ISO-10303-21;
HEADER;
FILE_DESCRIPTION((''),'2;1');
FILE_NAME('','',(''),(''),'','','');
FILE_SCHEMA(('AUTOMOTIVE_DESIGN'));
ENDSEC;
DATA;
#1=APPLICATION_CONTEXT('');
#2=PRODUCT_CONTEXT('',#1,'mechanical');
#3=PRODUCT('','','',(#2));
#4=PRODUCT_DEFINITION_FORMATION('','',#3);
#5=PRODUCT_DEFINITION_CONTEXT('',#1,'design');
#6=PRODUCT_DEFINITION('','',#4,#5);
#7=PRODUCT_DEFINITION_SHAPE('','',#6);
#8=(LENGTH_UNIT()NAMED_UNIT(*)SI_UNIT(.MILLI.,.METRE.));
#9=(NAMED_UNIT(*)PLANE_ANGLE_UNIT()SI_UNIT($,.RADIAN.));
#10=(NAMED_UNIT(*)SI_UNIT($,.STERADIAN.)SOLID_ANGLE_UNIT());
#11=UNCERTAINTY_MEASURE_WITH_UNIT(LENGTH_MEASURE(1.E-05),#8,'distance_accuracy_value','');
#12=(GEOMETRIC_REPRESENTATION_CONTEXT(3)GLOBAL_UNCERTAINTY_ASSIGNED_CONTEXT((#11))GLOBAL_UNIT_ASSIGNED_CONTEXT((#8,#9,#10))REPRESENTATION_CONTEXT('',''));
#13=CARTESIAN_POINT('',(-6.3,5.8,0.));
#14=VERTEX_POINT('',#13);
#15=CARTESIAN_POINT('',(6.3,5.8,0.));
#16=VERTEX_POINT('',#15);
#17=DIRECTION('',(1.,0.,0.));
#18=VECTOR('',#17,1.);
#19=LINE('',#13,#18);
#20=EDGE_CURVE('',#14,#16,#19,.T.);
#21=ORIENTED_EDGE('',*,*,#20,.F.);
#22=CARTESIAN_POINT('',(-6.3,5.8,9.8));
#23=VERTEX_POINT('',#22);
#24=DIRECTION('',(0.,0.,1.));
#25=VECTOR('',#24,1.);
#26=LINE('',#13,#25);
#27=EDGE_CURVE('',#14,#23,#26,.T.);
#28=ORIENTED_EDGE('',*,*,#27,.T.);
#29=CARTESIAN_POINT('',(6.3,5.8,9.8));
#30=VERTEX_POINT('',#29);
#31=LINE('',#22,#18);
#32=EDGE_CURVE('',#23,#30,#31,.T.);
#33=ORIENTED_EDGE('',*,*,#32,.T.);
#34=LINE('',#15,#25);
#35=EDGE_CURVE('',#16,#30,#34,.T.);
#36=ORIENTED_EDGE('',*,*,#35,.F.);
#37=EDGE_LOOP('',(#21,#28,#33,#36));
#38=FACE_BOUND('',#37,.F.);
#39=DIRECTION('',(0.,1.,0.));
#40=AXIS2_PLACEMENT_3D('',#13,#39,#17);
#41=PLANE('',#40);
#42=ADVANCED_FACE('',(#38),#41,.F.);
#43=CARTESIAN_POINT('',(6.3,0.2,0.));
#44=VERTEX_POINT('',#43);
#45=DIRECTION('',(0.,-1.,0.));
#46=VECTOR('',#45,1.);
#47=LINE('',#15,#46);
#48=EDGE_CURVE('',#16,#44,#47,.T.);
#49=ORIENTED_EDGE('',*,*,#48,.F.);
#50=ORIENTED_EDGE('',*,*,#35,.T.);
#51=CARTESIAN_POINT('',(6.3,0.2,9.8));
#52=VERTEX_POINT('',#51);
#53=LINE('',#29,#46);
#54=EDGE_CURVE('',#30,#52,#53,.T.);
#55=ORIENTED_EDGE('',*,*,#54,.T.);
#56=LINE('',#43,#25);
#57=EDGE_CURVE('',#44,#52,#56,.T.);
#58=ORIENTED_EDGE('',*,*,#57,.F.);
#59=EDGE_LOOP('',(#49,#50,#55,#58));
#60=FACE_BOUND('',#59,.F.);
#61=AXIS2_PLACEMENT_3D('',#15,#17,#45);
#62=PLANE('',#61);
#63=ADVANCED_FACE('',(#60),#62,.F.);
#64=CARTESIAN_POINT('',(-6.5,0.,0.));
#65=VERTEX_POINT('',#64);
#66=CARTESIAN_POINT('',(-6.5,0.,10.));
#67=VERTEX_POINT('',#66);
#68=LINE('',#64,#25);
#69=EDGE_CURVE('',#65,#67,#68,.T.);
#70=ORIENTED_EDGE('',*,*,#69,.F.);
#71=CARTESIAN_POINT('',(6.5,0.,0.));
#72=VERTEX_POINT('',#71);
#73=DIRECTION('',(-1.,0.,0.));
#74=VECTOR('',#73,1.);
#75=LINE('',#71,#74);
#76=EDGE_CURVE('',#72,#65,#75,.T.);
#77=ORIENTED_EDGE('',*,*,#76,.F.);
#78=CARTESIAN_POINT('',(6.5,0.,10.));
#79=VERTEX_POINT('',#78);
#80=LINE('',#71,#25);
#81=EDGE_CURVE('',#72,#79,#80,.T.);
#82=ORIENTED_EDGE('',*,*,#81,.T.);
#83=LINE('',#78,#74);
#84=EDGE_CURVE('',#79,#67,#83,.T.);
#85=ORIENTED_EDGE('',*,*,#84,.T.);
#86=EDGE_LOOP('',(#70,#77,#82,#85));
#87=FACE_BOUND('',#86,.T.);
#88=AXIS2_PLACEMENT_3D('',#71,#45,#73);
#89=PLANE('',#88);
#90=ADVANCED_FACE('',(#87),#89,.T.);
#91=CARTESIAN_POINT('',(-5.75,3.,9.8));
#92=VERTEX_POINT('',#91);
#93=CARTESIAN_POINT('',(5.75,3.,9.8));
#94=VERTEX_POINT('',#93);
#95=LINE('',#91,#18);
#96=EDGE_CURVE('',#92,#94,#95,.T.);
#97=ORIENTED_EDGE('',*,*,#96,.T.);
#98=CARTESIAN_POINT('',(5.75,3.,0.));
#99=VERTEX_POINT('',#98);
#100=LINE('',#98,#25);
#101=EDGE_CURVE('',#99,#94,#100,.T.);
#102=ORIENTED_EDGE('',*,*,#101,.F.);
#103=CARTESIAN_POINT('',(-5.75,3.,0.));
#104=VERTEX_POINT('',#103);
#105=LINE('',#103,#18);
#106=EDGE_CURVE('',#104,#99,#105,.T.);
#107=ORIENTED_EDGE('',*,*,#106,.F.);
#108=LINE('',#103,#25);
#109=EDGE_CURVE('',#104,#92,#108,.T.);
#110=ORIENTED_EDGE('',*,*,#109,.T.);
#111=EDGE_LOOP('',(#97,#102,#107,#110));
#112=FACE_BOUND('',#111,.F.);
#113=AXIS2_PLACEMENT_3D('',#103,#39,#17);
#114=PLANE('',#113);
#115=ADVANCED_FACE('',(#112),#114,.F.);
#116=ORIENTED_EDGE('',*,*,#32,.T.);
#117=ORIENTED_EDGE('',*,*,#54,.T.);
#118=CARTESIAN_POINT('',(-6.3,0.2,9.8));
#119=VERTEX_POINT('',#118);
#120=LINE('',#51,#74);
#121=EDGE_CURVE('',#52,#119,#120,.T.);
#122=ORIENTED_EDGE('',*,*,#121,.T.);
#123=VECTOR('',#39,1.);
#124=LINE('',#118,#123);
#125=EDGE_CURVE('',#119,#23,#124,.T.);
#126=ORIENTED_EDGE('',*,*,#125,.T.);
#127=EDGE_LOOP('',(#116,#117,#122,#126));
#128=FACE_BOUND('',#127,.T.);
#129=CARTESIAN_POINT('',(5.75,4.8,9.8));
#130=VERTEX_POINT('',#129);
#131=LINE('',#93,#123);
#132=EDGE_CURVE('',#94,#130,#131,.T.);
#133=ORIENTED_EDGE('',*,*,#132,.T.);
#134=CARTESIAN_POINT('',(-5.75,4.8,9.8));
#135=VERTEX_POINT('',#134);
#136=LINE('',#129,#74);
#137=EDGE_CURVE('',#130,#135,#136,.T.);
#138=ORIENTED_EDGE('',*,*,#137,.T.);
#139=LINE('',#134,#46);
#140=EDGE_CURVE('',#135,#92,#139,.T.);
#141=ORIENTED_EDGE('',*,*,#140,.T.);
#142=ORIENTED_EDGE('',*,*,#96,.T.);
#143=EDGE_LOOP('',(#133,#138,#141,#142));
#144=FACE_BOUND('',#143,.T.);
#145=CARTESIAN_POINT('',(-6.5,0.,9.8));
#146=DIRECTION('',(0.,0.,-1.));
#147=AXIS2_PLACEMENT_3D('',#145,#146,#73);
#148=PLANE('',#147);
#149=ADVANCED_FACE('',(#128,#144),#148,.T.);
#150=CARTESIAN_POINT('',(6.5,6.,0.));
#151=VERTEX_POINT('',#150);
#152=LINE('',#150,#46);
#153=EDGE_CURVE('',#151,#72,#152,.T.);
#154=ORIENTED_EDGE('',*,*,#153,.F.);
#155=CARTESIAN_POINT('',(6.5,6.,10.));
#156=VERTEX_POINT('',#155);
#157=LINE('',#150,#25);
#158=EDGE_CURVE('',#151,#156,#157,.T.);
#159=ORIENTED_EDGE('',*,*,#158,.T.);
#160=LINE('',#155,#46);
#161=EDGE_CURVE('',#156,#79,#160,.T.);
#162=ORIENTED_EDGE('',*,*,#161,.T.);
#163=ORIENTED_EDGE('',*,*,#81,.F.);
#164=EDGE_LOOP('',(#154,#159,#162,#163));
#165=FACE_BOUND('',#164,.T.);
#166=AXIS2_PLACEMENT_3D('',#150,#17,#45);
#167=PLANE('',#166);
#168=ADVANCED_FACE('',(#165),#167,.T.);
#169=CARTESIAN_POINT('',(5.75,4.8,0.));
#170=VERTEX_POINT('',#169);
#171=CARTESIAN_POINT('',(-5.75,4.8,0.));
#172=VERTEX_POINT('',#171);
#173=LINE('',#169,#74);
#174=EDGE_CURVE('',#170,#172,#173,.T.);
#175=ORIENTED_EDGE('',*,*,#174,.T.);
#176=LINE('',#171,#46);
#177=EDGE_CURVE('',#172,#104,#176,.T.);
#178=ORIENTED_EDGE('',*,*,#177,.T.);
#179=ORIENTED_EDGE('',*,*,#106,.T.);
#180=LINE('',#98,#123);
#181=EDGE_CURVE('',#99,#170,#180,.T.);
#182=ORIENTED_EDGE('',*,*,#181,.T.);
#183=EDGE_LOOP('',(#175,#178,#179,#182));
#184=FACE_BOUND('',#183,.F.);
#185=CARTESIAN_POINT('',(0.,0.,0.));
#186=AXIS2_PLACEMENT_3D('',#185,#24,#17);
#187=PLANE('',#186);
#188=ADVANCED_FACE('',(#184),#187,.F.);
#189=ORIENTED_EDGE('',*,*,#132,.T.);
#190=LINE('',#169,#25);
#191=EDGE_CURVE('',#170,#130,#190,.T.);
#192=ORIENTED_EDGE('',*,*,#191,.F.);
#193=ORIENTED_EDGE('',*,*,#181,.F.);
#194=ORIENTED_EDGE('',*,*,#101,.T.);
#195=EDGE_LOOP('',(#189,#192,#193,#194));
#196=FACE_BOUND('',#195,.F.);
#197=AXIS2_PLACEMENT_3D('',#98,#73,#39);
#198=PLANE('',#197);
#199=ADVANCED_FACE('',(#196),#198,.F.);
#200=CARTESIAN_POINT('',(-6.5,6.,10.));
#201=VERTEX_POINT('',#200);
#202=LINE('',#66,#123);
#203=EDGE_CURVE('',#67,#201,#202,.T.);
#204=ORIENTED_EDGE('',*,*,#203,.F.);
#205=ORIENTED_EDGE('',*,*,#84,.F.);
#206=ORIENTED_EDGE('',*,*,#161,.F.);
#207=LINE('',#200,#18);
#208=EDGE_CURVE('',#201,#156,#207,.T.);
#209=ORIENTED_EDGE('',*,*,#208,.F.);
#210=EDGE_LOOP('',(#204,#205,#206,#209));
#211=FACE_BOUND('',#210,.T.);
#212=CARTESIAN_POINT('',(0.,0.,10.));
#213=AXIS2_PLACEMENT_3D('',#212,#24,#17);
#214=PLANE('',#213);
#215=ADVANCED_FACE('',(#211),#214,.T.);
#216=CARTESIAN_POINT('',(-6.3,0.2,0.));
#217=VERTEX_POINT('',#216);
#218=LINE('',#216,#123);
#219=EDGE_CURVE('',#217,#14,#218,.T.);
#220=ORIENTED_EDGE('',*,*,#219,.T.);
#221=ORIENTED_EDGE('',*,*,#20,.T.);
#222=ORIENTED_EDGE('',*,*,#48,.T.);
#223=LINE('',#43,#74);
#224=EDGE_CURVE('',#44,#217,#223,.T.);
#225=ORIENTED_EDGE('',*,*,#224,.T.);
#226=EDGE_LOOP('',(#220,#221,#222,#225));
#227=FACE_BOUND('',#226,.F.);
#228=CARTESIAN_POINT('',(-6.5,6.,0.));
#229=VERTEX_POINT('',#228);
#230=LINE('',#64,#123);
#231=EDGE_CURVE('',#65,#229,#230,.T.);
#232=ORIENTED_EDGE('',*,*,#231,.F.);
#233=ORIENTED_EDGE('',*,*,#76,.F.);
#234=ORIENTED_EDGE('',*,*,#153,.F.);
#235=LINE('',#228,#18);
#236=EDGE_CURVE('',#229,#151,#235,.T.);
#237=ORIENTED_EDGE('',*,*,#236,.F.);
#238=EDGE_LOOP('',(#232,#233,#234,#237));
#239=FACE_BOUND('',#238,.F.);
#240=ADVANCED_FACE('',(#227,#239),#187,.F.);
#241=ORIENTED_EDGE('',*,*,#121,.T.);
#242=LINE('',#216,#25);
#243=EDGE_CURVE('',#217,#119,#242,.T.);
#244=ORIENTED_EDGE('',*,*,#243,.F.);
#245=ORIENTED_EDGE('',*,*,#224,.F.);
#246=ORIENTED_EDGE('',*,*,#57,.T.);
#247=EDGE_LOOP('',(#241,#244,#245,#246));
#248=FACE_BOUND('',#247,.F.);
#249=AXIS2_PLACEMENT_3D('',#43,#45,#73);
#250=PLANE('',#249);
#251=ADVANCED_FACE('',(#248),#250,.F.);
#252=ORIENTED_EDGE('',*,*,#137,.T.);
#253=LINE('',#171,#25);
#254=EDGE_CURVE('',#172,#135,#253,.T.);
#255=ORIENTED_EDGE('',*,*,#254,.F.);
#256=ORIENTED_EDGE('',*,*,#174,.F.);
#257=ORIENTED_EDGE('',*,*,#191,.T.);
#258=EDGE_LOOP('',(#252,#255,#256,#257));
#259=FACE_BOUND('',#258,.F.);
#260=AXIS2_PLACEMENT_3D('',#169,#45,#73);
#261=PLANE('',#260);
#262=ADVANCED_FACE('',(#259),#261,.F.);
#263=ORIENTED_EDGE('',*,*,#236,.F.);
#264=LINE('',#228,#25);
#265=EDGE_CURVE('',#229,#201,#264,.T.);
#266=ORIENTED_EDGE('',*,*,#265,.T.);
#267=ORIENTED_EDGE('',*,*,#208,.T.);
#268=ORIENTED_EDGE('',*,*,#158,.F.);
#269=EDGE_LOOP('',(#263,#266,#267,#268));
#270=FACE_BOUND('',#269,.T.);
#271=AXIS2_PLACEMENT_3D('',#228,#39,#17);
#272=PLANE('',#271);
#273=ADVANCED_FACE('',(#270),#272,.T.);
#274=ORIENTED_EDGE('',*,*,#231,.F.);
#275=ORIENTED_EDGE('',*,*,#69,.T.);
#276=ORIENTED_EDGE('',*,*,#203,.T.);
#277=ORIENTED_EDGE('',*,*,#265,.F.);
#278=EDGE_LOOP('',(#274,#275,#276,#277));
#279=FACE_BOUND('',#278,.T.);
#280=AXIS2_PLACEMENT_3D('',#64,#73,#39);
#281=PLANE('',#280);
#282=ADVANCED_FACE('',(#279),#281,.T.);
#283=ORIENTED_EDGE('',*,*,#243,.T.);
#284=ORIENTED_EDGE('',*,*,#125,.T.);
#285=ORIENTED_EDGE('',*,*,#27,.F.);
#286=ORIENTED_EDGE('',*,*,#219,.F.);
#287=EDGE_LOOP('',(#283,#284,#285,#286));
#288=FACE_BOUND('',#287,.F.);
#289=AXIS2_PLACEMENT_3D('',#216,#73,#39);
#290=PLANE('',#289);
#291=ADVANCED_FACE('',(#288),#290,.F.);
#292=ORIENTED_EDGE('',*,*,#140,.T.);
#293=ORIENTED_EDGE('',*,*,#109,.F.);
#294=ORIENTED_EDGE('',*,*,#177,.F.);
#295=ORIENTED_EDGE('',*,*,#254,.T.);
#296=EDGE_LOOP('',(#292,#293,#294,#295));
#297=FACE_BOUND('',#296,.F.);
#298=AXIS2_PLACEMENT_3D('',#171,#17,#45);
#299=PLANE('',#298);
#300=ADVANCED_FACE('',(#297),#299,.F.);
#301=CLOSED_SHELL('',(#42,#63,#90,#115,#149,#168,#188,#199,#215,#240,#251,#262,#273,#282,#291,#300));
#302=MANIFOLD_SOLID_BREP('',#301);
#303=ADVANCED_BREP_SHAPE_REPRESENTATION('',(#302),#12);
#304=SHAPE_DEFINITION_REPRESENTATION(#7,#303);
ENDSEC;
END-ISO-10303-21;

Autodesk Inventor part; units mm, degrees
ref_plane "YZ Plane" through (0, 0, 0) normal (1, 0, 0) x (0, 1, 0)
ref_plane "XZ Plane" through (0, 0, 0) normal (0, 1, 0) x (-1, 0, 0)
ref_plane "XY Plane" through (0, 0, 0) normal (0, 0, 1) x (1, 0, 0)
sketch "Sketch1" plane through (0, 0, 0) normal (0, 0, 1) x (1, 0, 0)
  line L0 (-6.5, 6) -> (6.5, 6)
  line L1 (6.5, 6) -> (6.5, 0)
  line L2 (6.5, 0) -> (-6.5, 0)
  line L3 (-6.5, 0) -> (-6.5, 6)
  point P0 (0, 0)
  point P1 (0, 0)
  dimension "d0" = 13
  dimension "d1" = 6
extrude "Extrusion1" add sketch "Sketch1" along normal blind 10
sketch "Sketch2" plane through (-6.5, 0, 0) normal (0, 0, -1) x (-1, 0, 0)
  line L0 (-0.2, 5.8) -> (-12.8, 5.8)
  line L1 (-12.8, 5.8) -> (-12.8, 0.2)
  line L2 (-12.8, 0.2) -> (-0.2, 0.2)
  line L3 (-0.2, 0.2) -> (-0.2, 5.8)
  line L4 (-12.25, 4.8) -> (-0.75, 4.8)
  line L5 (-0.75, 4.8) -> (-0.75, 3)
  line L6 (-0.75, 3) -> (-12.25, 3)
  line L7 (-12.25, 3) -> (-12.25, 4.8)
  line L8 (0, 6) -> (0, 0) projected
  line L9 (0, 0) -> (-13, 0) projected
  line L10 (-13, 6) -> (0, 6) projected
  point P0 (-6.5, 0)
  point P1 (-12.8, 3)
  point P2 (-6.5, 5.8)
  point P3 (-6.5, 4.8)
  point P4 (-0.2, 3)
  point P5 (0, 3)
  point P6 (-6.5, 0)
  point P7 (-6.5, 0)
  dimension "d4" = 11.5
  dimension "d5" = 0.2
  dimension "d6" = 0.2
  dimension "d7" = 3
  dimension "d8" = 1
extrude "Extrusion2" cut sketch "Sketch2" against normal blind 9.8
properties part number "USB_A"
